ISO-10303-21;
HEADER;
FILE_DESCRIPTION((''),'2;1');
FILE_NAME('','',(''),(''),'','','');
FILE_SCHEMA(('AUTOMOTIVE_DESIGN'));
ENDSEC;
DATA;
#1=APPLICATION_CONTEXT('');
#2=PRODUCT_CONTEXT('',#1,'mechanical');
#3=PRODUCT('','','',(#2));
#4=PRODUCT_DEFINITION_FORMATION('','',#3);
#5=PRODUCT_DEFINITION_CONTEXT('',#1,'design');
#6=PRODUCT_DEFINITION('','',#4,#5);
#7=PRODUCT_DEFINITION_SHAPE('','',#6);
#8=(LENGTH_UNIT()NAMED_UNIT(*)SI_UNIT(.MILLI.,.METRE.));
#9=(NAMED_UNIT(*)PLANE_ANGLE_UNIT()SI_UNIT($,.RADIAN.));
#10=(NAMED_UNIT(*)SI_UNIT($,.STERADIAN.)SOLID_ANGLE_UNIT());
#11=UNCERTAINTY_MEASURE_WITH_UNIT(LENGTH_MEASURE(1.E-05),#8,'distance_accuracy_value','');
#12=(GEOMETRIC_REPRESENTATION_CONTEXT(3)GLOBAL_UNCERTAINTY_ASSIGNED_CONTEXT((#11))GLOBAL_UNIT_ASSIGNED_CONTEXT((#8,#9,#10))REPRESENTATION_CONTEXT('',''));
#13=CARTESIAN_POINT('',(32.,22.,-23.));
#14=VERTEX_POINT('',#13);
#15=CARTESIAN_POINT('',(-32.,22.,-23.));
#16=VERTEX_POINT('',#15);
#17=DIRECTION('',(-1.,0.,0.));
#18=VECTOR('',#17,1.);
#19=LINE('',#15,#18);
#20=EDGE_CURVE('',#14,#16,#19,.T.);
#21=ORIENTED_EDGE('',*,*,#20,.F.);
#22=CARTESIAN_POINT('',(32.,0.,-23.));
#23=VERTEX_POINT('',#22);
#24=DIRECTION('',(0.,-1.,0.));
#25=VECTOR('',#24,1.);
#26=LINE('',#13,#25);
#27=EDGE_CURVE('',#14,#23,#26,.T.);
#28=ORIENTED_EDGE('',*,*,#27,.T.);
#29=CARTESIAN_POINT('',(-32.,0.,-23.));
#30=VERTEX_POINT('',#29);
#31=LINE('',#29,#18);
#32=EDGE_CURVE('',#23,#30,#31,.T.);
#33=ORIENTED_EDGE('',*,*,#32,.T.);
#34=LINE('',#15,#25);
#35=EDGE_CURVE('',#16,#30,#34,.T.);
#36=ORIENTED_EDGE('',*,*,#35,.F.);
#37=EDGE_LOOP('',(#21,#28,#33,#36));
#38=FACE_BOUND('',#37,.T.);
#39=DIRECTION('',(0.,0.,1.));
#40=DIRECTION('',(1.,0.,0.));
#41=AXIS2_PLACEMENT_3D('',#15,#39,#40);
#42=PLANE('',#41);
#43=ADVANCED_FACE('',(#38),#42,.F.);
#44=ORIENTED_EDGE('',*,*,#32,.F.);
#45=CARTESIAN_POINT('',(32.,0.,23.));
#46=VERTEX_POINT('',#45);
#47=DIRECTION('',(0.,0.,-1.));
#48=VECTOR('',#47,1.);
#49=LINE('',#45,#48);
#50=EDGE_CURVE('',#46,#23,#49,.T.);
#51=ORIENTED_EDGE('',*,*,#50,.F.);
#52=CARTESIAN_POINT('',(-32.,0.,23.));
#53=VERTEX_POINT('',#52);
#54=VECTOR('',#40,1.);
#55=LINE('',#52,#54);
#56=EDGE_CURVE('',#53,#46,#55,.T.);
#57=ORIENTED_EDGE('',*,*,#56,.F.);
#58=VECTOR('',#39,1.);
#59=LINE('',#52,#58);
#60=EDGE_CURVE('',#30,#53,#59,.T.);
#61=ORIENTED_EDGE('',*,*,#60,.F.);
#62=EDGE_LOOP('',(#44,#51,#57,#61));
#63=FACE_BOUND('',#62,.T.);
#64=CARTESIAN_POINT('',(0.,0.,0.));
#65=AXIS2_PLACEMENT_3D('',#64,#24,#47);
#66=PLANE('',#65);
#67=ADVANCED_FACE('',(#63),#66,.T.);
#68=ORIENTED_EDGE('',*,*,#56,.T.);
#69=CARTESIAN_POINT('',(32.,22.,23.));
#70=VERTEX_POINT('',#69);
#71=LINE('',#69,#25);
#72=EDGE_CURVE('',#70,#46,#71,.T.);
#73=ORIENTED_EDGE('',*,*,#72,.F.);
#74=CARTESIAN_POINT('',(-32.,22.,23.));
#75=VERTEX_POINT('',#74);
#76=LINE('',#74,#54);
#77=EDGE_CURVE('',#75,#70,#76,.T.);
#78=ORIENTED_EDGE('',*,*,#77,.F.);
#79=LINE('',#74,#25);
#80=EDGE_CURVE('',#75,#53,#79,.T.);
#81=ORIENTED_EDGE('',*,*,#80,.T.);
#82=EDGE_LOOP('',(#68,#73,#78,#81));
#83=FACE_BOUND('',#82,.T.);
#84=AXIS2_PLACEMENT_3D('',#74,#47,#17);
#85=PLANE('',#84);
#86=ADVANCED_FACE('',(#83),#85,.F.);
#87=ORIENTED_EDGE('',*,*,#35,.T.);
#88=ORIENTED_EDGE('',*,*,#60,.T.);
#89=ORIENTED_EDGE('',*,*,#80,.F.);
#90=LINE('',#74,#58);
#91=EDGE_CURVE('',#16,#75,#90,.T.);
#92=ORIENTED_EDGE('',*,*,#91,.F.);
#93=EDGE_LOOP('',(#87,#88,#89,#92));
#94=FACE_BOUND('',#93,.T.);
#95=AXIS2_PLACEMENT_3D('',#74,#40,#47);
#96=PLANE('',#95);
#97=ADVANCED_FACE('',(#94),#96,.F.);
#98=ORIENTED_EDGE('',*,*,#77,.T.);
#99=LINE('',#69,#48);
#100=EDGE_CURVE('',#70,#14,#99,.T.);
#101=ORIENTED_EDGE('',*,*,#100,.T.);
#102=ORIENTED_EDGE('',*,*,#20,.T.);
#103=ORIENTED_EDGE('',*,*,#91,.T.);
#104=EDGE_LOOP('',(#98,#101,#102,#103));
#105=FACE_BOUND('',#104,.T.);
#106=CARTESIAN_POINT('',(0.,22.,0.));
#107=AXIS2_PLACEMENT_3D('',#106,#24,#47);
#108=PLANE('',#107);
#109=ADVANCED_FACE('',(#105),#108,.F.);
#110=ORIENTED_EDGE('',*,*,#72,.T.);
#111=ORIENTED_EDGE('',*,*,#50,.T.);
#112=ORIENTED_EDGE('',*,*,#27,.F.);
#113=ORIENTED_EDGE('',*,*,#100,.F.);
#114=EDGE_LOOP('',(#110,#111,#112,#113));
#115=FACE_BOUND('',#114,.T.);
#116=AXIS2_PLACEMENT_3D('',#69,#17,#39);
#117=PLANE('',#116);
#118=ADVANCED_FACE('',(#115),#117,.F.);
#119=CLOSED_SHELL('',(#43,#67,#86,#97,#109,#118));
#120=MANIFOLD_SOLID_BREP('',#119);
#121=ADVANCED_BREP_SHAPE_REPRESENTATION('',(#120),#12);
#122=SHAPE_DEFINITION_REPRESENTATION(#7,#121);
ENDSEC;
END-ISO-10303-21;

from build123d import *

# Parameters (mm, degrees)
SKETCH_1_W      = 64
SKETCH_1_H      = 46
EXTRUDE_1_DEPTH = 22


with BuildPart() as part:
    # 草图1 → 凸台-拉伸1 (new body)
    with BuildSketch(Plane(origin=(0, 0, 0), x_dir=(1, 0, 0), z_dir=(0, 1, 0))):
        Rectangle(SKETCH_1_W, SKETCH_1_H)
    extrude(amount=EXTRUDE_1_DEPTH)


solid = part.part
